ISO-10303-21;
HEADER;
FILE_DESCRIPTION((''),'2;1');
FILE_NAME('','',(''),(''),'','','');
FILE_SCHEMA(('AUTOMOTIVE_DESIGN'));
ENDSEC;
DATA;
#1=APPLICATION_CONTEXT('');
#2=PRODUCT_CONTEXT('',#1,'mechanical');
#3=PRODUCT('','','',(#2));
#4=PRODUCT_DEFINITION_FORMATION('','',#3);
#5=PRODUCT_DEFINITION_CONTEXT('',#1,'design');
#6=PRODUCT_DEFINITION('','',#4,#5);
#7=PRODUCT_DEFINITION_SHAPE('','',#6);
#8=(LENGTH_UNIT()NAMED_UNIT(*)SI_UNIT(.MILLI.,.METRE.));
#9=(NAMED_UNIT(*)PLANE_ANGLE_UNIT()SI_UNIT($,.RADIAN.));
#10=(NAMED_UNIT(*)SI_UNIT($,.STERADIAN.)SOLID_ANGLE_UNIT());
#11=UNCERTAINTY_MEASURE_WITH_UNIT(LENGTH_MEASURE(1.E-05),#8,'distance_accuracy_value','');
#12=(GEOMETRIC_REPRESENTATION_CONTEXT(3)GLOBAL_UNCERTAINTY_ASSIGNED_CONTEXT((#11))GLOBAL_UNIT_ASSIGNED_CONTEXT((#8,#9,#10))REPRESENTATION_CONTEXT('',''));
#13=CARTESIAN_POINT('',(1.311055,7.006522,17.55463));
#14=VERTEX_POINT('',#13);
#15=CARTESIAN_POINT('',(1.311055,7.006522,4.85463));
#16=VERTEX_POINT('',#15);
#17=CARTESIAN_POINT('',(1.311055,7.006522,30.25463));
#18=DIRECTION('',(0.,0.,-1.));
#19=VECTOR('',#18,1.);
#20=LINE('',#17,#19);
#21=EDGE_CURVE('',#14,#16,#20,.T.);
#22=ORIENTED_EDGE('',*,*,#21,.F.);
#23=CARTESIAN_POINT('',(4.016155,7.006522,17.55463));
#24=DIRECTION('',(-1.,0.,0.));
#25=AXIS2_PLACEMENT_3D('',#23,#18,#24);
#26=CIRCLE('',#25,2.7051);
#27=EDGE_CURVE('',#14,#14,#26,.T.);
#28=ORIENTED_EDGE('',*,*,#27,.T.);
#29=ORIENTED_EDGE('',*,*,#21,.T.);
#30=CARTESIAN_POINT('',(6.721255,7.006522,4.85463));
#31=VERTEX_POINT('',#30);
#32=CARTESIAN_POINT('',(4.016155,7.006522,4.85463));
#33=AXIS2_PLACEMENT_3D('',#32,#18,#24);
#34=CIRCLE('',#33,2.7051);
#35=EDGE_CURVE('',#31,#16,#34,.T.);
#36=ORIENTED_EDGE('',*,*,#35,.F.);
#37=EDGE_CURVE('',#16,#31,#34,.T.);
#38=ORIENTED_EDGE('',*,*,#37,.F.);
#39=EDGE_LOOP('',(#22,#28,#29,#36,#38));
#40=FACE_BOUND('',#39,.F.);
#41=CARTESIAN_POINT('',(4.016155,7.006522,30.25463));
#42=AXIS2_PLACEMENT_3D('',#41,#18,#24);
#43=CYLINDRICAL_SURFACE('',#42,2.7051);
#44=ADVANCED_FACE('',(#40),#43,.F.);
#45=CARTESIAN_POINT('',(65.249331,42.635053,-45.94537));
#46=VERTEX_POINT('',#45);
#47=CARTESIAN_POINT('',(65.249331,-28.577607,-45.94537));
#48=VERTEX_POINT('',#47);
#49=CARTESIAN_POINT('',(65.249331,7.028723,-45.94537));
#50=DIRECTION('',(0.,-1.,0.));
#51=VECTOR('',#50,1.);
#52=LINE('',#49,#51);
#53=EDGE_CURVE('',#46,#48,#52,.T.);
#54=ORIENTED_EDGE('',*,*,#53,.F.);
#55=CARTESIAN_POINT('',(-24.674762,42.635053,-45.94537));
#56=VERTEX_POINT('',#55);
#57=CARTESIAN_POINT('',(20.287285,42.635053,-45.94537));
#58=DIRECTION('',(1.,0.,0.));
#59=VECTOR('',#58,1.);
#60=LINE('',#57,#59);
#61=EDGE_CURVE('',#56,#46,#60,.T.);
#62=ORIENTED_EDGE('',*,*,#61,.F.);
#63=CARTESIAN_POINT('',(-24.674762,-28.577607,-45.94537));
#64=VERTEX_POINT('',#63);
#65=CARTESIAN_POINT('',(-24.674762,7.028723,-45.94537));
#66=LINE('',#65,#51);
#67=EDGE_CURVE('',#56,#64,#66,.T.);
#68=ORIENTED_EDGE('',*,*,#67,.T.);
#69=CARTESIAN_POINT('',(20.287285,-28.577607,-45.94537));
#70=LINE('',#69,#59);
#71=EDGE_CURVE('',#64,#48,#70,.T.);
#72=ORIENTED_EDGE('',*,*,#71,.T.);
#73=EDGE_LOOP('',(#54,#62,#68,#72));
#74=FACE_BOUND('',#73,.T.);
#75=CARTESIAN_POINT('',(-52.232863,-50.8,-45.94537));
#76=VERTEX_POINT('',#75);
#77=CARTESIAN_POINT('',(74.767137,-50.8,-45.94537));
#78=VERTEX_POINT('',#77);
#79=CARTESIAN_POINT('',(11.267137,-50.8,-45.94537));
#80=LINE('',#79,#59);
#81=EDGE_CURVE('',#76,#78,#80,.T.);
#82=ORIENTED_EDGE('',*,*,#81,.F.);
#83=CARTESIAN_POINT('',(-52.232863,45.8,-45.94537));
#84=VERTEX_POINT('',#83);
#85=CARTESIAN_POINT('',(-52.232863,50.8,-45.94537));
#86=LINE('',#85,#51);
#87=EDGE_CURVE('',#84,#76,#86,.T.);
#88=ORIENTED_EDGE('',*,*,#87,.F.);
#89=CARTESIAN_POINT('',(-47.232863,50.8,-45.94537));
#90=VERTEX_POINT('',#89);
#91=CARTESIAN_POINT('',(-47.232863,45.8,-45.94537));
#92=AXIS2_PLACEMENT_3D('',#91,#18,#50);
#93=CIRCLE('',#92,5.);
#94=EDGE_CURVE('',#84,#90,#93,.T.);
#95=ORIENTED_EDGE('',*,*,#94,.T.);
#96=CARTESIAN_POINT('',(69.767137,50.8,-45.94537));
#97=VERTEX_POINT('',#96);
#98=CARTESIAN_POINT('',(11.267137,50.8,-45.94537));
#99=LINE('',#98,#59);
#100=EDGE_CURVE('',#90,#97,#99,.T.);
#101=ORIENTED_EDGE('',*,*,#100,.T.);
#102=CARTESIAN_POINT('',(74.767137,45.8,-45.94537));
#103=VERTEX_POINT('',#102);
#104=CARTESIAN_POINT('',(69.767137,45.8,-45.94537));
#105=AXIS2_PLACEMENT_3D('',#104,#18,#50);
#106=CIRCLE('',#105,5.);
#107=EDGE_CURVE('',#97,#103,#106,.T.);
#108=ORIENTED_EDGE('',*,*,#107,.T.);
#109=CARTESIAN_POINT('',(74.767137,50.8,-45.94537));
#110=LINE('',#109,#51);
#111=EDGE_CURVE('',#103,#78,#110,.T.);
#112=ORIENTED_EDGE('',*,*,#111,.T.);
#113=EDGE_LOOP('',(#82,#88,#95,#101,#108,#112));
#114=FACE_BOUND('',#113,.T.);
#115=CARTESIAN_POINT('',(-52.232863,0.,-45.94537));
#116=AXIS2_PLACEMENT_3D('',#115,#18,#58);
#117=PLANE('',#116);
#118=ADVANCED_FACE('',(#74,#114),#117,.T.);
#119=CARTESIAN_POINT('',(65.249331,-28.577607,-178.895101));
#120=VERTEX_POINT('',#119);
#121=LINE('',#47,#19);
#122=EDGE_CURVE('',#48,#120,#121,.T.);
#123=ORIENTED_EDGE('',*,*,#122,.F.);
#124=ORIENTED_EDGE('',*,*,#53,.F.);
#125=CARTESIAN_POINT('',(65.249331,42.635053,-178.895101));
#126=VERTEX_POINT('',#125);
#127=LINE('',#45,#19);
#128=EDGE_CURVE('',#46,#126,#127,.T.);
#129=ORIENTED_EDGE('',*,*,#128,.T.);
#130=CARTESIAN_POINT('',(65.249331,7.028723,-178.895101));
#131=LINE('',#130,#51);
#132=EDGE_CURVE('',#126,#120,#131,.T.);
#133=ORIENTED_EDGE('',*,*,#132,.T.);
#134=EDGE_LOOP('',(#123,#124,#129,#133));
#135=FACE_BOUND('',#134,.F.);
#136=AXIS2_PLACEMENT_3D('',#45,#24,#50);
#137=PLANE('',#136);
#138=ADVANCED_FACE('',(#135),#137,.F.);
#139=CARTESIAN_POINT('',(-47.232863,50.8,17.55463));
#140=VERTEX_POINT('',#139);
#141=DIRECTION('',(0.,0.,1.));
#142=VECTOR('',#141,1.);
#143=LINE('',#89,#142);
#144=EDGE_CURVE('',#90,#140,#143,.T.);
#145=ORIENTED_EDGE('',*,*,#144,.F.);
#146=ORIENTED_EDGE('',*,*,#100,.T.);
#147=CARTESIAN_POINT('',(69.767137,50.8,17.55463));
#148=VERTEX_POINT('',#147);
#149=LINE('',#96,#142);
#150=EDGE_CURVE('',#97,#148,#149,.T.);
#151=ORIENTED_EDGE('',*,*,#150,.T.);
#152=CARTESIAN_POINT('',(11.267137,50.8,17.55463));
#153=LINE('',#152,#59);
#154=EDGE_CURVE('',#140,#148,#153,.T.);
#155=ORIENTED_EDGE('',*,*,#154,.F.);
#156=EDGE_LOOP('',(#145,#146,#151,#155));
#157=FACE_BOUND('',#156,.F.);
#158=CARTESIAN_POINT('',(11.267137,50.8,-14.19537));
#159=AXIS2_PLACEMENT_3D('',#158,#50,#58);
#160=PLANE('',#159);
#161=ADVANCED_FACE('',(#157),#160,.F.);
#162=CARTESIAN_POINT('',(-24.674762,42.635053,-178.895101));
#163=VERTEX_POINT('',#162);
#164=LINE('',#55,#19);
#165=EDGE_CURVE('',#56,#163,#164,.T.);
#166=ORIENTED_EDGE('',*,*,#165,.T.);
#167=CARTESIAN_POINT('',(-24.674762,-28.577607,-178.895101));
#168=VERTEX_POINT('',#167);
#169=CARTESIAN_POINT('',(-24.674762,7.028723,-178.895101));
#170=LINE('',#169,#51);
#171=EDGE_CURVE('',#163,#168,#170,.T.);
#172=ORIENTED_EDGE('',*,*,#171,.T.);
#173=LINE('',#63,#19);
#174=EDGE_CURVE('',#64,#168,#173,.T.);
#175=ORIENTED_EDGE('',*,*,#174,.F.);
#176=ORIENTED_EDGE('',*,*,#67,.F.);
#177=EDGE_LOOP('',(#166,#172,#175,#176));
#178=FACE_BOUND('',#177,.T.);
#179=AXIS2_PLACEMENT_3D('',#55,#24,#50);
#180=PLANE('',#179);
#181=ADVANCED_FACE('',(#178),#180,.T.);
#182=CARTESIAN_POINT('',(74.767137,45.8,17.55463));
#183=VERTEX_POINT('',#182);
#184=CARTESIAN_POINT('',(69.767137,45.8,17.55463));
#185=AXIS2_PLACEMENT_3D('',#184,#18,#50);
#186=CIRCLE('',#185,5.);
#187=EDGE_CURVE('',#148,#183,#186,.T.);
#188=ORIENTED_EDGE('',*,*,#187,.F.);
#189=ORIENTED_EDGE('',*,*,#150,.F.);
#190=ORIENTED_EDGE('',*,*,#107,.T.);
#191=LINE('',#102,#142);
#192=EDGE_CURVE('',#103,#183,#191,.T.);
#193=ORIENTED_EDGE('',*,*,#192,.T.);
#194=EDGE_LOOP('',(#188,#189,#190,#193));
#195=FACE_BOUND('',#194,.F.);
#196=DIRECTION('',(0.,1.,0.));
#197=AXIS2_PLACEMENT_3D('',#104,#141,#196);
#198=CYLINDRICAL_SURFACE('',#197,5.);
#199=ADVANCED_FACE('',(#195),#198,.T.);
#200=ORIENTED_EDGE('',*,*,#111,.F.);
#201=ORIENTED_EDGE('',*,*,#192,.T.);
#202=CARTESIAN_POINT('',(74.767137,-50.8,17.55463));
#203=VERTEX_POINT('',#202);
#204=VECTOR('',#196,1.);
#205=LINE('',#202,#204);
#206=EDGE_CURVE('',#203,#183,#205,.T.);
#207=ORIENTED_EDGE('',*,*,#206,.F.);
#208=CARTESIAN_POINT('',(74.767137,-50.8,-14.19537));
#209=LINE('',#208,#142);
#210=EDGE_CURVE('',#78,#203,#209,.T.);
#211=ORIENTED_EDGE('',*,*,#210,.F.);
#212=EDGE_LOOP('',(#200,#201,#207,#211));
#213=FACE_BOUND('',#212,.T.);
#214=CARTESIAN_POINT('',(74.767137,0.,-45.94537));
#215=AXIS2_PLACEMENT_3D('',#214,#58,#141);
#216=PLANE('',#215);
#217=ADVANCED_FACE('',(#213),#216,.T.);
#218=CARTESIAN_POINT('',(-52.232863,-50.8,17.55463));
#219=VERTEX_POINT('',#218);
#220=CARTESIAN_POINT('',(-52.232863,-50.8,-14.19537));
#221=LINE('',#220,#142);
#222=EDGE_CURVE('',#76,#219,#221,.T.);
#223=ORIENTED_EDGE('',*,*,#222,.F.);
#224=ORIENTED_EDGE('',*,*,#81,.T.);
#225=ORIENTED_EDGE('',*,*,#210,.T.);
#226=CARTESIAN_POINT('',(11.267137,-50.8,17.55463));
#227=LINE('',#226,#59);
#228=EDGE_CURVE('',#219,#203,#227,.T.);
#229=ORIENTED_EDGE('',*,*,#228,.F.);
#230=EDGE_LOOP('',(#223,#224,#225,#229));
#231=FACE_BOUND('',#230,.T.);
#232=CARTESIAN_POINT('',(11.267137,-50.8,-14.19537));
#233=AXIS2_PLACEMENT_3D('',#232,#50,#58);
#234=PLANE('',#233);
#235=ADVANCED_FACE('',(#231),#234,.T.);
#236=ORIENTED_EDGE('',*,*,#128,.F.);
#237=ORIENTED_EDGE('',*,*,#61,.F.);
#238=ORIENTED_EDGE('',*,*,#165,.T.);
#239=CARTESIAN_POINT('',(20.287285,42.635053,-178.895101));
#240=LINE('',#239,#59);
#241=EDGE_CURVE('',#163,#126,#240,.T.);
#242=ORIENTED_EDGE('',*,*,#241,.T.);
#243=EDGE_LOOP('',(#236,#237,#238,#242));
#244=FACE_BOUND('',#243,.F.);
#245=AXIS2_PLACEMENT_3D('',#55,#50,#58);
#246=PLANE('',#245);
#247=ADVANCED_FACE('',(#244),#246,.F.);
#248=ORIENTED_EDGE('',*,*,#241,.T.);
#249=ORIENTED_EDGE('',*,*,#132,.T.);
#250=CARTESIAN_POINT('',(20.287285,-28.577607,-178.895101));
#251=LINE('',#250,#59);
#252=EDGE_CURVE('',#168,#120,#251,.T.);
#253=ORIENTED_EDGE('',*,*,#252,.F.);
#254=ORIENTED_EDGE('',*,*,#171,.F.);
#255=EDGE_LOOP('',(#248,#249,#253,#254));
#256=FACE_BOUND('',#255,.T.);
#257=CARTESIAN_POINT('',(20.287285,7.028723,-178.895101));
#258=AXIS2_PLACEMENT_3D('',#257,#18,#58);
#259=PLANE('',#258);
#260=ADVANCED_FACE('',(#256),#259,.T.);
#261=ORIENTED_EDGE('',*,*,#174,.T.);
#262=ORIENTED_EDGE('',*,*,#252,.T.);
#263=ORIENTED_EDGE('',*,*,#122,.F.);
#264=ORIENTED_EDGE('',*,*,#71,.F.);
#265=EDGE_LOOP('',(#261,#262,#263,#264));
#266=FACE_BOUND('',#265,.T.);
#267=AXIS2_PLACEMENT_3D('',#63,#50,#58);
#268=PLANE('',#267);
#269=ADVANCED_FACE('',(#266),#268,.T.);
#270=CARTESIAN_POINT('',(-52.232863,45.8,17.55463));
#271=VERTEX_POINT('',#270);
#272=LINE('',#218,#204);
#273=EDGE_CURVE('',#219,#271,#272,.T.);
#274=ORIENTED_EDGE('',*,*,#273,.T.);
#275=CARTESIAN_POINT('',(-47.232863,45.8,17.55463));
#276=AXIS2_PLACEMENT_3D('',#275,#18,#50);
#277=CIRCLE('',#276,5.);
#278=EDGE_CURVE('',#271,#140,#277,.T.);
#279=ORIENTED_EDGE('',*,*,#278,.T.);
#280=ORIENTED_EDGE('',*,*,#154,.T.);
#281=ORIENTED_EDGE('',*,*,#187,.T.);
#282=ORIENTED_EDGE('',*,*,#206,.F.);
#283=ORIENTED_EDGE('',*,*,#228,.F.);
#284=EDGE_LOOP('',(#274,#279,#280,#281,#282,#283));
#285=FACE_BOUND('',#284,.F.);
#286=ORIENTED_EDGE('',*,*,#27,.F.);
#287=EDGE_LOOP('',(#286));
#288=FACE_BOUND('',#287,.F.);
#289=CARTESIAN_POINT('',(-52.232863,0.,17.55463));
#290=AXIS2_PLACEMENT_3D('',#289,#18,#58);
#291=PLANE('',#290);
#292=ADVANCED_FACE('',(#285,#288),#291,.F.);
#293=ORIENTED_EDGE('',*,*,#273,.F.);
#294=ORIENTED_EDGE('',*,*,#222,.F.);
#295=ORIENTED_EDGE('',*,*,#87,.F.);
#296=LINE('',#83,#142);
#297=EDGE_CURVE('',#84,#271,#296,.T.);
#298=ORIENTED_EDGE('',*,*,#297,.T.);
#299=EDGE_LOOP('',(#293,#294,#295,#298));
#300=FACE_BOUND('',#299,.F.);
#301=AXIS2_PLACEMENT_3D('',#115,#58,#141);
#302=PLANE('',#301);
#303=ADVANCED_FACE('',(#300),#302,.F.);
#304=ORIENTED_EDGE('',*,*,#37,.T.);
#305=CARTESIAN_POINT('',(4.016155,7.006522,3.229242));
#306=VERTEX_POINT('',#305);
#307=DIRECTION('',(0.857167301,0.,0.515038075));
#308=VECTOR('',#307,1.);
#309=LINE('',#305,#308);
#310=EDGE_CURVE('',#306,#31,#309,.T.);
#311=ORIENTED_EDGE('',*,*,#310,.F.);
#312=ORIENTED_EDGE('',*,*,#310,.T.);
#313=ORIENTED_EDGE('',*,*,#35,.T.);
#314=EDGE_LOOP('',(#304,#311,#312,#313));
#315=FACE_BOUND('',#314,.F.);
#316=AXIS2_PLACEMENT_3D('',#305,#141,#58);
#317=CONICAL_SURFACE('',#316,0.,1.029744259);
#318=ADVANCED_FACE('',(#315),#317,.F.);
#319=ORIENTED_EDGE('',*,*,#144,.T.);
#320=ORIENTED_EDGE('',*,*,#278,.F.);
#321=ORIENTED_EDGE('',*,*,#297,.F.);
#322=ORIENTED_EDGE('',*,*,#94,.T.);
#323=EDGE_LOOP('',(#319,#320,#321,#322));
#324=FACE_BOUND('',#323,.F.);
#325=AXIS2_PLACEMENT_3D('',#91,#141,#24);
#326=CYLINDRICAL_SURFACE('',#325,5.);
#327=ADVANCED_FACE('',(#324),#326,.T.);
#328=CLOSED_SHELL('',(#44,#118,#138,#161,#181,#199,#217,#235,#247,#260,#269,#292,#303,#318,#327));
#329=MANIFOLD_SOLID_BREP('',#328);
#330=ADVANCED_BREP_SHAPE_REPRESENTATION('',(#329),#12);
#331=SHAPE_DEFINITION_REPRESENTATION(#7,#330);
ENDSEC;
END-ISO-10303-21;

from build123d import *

# Parameters (mm, degrees)
F0_W     = 127
F0_H     = 63.5
F1_DEPTH = 50.8
F3_D     = 5.4102
F3_DEPTH = 12.7
F3_TIP   = 1.6253880605
F6_W     = 89.9240933359
F6_H     = 71.2126605213
F5_DEPTH = 132.9497303814
F7_R     = 5


with BuildPart() as f1:
    # F0 (on Front) → F1 (new body, symmetric)
    with BuildSketch(Plane.XZ):
        with Locations((11.2671367824, -14.1953701283)):
            Rectangle(F0_W, F0_H)
    extrude(amount=F1_DEPTH, both=True)

    # F3
    with Locations(Plane.XY.offset(17.5546298717)):
        with Locations((4.0161549114, 7.0065222681)):
            Hole(F3_D / 2, depth=F3_DEPTH)
            with Locations((0, 0, -(F3_DEPTH + F3_TIP / 2))):  # 118° drill point
                Cone(0, F3_D / 2, F3_TIP, mode=Mode.SUBTRACT)

    # F6 (on face) → F5 (join)
    with BuildSketch(Plane(origin=(0, 0, -45.9453701283), x_dir=(1, 0, 0), z_dir=(0, 0, -1))):
        with Locations((20.2872846276, -7.0287231356)):
            Rectangle(F6_W, F6_H)
    extrude(amount=F5_DEPTH)

    # F7
    f7_edges = [f1.edges().sort_by_distance(p)[0] for p in [
        (74.767137, 50.8, -14.19537),
        (-52.232863, 50.8, -14.19537),
    ]]
    fillet(f7_edges, radius=F7_R)


solid = f1.part
